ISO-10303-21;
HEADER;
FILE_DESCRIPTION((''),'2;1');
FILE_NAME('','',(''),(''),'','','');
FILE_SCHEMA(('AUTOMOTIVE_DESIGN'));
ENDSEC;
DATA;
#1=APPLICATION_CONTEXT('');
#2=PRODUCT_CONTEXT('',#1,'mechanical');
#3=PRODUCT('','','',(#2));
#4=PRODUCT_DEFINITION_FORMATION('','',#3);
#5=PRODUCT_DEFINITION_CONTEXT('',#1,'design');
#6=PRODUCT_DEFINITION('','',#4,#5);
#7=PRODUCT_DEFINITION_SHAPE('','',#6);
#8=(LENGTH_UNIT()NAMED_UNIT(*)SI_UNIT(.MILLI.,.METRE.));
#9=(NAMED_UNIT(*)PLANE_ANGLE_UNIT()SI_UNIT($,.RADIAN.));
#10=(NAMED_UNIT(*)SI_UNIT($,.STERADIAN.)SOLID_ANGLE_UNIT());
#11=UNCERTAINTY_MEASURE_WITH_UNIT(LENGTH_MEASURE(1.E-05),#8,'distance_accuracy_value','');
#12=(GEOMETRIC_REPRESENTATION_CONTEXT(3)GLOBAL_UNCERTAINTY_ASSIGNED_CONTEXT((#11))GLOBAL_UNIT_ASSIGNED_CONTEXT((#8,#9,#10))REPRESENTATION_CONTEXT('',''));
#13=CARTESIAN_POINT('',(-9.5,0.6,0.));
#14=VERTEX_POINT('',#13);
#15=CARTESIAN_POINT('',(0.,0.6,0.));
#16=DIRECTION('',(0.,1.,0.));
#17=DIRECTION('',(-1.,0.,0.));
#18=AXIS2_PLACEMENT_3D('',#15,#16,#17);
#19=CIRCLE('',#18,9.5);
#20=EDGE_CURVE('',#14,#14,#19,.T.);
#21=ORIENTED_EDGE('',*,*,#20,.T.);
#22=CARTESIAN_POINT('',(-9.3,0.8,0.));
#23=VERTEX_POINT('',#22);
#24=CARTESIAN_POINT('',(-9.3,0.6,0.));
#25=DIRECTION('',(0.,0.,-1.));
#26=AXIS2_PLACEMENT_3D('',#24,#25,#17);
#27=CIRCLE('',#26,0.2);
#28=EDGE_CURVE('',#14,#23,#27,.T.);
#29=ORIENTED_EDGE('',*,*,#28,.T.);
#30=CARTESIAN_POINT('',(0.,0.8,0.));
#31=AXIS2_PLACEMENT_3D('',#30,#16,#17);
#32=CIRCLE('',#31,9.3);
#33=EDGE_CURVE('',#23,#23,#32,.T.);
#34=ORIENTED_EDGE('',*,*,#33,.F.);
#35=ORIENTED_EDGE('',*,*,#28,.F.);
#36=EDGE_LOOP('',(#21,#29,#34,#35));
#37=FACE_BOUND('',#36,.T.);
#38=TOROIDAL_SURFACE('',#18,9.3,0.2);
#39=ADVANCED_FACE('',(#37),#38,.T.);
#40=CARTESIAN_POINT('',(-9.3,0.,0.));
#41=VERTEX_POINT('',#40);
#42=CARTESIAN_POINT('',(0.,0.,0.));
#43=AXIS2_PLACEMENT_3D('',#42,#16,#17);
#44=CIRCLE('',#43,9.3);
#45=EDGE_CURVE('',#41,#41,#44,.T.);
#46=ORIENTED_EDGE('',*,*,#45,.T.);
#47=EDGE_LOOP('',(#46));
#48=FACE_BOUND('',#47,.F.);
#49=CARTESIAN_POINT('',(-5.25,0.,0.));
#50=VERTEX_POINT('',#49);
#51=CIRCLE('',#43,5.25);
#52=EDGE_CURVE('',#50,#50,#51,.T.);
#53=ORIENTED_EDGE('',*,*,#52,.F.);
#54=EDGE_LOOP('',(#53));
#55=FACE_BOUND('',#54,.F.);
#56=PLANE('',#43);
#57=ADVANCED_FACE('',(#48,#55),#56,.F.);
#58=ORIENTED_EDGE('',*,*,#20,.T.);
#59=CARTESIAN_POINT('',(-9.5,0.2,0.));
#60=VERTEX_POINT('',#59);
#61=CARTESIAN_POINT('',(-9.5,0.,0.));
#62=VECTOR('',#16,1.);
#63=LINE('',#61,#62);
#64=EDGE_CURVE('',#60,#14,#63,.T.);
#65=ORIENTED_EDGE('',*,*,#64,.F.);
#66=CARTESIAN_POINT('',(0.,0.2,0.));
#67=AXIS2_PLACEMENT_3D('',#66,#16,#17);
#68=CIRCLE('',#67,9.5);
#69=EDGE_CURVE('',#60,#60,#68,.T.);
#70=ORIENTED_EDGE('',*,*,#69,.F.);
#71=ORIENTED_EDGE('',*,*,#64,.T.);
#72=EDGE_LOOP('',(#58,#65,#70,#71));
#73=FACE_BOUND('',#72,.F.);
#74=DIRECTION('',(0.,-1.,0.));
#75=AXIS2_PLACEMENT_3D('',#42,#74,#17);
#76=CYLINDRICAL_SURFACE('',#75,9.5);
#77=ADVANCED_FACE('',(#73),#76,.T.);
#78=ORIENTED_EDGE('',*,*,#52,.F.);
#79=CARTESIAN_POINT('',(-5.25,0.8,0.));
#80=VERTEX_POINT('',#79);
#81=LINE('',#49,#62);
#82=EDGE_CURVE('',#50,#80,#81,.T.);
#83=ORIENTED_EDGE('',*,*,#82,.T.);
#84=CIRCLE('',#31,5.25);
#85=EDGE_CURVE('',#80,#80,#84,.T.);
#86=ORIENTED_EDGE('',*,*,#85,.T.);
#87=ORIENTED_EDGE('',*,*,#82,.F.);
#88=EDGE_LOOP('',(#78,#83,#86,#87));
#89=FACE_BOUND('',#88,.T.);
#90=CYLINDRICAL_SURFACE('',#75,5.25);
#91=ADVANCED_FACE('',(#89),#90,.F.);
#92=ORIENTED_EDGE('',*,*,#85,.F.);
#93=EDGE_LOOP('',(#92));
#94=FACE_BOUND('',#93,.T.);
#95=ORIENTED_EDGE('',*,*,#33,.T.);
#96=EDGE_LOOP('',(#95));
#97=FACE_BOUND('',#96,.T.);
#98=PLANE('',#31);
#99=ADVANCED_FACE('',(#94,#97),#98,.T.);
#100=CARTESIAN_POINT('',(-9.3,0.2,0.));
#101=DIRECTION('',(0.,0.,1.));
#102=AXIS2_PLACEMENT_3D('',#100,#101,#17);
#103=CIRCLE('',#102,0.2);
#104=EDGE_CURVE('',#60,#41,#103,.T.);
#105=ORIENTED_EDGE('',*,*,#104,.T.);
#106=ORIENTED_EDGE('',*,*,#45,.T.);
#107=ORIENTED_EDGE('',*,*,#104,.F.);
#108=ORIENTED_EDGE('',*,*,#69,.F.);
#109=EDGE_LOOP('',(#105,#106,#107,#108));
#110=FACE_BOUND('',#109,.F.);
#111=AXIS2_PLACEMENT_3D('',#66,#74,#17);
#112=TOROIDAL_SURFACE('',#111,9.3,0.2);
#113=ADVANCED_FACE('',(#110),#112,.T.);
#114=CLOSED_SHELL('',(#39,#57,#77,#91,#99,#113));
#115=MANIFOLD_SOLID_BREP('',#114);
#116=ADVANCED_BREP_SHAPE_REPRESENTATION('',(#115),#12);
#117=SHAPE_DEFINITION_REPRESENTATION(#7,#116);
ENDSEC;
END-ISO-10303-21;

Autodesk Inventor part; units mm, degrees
ref_plane "YZ Plane" through (0, 0, 0) normal (1, 0, 0) x (0, 1, 0)
ref_plane "XZ Plane" through (0, 0, 0) normal (0, 1, 0) x (-1, 0, 0)
ref_plane "XY Plane" through (0, 0, 0) normal (0, 0, 1) x (1, 0, 0)
sketch "Sketch1" plane through (0, 0, 0) normal (0, 1, 0) x (-1, 0, 0)
  circle A0 centre (0, 0) radius 5.25
  circle A1 centre (0, 0) radius 9.5
  dimension "d0" = 10.5
  dimension "d1" = 19
extrude "Extrusion1" add sketch "Sketch1" along normal blind 0.8
fillet "Fillet1" radius 0.2 2 edges at (9.5, 0.8, 0) (9.5, 0, 0)
properties part number "Component 34(Connecting Rod Spacer)"
